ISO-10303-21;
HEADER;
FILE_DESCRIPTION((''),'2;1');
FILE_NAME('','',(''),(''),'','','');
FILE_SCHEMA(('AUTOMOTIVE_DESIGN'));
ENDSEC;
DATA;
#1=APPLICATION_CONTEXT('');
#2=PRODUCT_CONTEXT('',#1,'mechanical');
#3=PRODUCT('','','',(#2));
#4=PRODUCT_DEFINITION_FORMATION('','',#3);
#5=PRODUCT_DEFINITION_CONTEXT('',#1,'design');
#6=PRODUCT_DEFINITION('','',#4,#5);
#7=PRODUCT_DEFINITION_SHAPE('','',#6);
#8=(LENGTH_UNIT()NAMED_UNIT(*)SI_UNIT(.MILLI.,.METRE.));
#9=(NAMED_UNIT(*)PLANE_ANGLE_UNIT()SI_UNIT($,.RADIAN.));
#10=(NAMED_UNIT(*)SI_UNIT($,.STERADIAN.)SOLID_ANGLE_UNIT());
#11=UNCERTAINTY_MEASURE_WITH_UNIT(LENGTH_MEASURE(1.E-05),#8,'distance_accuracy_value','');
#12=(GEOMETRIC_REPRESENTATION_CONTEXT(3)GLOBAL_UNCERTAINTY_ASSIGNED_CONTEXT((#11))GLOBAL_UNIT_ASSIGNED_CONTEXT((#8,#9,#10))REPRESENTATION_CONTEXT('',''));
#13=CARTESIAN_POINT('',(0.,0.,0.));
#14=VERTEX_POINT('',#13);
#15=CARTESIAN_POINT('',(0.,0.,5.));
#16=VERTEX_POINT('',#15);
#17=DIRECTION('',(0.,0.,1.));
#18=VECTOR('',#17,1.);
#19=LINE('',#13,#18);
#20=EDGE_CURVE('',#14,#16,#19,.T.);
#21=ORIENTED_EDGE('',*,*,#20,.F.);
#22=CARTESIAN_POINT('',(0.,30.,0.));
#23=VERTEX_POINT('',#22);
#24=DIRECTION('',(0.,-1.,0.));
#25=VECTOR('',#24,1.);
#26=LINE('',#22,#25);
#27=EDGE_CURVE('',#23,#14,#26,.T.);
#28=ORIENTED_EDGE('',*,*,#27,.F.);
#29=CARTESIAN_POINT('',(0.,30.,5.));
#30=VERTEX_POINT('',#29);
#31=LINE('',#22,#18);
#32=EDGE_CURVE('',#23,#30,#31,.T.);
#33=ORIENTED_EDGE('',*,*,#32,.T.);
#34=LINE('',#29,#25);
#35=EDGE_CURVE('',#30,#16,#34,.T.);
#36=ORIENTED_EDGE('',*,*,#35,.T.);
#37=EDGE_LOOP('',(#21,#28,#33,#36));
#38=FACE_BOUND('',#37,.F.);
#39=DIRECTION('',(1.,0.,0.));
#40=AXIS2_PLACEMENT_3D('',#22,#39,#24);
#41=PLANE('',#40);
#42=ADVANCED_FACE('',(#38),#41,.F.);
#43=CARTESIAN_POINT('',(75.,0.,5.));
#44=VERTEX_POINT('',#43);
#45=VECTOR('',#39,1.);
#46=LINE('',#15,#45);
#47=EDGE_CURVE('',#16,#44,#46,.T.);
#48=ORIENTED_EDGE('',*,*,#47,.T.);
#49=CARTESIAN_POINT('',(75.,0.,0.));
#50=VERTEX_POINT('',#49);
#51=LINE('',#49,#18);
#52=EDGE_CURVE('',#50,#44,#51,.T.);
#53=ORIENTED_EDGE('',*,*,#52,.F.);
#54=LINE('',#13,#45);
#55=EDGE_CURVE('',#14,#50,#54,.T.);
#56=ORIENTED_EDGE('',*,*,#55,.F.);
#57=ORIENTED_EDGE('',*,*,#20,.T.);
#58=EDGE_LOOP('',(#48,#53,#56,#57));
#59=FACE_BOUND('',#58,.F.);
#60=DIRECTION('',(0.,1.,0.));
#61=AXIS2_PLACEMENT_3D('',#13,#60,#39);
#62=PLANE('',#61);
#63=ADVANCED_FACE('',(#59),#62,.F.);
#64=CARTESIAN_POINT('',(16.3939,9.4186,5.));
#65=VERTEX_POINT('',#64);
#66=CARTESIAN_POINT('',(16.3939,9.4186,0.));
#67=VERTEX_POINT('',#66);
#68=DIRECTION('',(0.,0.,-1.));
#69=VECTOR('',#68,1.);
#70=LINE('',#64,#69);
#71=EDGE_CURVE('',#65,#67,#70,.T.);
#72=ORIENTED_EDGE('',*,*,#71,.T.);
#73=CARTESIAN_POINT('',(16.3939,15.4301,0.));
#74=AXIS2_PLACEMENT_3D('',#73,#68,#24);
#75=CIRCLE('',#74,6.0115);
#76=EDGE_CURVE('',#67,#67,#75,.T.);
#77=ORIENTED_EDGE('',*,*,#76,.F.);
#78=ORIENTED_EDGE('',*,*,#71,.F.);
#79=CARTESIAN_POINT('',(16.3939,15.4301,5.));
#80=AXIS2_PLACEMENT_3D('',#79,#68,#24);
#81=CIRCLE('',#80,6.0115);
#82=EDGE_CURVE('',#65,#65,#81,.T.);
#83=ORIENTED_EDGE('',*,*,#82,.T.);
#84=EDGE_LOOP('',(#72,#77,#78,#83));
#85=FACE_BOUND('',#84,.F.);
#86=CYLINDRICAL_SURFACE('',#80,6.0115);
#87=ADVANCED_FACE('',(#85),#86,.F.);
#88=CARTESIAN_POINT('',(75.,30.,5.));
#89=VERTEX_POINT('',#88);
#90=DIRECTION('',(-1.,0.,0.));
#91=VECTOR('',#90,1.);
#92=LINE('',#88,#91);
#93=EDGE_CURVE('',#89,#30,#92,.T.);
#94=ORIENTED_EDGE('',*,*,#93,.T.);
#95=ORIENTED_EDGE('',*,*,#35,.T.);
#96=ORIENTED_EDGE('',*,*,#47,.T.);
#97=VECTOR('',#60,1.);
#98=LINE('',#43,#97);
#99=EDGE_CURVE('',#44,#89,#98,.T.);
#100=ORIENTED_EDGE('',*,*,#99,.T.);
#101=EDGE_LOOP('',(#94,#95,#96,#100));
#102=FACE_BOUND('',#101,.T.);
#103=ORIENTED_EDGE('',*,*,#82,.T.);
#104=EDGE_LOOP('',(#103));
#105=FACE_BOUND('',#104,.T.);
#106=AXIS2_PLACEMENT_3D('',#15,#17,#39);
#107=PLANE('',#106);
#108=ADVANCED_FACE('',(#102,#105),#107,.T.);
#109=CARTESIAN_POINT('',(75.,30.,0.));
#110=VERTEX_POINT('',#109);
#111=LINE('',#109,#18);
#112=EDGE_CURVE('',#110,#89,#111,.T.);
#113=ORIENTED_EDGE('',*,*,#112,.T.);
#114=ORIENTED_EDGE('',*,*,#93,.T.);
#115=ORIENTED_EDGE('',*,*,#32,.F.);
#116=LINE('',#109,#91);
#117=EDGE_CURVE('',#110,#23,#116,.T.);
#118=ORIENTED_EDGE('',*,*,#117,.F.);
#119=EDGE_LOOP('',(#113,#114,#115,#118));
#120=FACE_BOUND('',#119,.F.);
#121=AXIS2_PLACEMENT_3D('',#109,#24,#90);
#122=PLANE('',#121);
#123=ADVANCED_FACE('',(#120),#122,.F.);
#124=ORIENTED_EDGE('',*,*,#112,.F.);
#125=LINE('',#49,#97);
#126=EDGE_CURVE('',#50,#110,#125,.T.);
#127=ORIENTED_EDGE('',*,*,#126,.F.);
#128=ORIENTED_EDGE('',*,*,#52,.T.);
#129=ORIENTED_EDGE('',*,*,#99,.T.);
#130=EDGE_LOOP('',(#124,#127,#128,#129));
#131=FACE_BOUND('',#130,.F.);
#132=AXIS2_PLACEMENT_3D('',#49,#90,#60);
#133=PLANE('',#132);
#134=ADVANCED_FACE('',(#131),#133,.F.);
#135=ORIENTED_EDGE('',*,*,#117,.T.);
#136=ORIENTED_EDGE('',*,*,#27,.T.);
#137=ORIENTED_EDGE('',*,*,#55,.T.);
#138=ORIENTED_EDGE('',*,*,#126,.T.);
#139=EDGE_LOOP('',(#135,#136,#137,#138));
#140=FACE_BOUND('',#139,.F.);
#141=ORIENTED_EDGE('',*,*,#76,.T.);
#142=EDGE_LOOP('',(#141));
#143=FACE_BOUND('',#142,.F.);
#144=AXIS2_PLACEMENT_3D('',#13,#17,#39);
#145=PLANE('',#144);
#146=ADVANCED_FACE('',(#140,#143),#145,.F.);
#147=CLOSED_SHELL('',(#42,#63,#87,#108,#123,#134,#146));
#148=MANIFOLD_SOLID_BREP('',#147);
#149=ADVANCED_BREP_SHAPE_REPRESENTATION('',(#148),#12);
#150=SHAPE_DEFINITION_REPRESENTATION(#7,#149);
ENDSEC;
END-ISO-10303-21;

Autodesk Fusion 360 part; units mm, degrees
sketch "Sketch1" plane through (0, 0, 0) normal (0, 0, 1) x (1, 0, 0)
  line L0 (0, 0) -> (75, 0)
  line L1 (75, 0) -> (75, 30)
  line L2 (75, 30) -> (0, 30)
  line L3 (0, 30) -> (0, 0)
extrude "Extrude1" add sketch "Sketch1" along normal blind 5
hole "Hole1" at (16.3939, 15.4301, 5) direction (0, 0, -1) diameter 12.023 depth 10 tip angle 180
